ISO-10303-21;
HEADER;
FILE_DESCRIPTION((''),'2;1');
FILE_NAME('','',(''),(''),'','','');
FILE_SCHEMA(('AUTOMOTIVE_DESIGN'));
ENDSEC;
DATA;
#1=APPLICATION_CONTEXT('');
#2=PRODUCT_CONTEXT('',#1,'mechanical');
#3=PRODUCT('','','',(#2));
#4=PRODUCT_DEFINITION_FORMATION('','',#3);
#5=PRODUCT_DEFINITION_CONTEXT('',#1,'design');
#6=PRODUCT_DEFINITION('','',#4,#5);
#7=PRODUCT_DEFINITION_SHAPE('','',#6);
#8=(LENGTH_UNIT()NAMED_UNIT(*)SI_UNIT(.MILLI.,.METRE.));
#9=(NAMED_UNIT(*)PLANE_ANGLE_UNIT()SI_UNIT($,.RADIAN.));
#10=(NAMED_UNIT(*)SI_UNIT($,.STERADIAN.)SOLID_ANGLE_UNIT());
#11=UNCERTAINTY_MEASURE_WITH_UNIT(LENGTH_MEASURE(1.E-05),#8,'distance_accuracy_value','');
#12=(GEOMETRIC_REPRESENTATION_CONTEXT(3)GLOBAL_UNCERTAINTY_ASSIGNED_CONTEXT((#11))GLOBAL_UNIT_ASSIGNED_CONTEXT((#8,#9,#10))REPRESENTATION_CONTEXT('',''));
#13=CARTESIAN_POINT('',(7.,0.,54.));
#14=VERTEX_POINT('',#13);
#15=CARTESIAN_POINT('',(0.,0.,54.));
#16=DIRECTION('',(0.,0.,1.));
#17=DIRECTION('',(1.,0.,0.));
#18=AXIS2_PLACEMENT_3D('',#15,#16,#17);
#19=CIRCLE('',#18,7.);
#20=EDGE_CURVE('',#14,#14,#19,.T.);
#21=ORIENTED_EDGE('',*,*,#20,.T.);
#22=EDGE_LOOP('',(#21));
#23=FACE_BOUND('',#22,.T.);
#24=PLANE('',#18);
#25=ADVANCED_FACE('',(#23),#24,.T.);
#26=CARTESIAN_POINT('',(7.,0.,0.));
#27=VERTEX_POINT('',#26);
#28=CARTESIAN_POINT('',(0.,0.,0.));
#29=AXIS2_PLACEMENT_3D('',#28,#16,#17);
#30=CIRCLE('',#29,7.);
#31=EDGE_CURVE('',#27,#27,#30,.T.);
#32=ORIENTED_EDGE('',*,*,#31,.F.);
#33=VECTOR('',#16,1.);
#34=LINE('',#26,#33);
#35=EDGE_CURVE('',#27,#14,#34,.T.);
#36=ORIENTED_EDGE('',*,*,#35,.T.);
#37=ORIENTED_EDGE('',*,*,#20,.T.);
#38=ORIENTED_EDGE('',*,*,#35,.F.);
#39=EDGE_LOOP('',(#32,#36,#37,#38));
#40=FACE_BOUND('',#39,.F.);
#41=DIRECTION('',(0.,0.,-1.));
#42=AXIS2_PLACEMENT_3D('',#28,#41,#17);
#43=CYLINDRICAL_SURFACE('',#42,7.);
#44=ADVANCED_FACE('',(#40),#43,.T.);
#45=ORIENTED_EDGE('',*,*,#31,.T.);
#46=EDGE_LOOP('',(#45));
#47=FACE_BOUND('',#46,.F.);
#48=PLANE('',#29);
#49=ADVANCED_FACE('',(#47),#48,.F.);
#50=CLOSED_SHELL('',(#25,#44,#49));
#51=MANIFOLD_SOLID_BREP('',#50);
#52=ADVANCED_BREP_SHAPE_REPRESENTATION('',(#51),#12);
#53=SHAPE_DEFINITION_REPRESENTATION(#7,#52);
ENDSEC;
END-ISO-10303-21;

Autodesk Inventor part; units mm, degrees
ref_plane "YZ Plane" through (0, 0, 0) normal (1, 0, 0) x (0, 1, 0)
ref_plane "XZ Plane" through (0, 0, 0) normal (0, 1, 0) x (-1, 0, 0)
ref_plane "XY Plane" through (0, 0, 0) normal (0, 0, 1) x (1, 0, 0)
sketch "Sketch1" plane through (0, 0, 0) normal (0, 0, 1) x (1, 0, 0)
  circle A0 centre (0, 0) radius 7
  dimension "d0" = 14
extrude "Extrusion1" add sketch "Sketch1" along normal blind 54
properties part number "SpectroscopeModel" material "Aluminum 6061"
